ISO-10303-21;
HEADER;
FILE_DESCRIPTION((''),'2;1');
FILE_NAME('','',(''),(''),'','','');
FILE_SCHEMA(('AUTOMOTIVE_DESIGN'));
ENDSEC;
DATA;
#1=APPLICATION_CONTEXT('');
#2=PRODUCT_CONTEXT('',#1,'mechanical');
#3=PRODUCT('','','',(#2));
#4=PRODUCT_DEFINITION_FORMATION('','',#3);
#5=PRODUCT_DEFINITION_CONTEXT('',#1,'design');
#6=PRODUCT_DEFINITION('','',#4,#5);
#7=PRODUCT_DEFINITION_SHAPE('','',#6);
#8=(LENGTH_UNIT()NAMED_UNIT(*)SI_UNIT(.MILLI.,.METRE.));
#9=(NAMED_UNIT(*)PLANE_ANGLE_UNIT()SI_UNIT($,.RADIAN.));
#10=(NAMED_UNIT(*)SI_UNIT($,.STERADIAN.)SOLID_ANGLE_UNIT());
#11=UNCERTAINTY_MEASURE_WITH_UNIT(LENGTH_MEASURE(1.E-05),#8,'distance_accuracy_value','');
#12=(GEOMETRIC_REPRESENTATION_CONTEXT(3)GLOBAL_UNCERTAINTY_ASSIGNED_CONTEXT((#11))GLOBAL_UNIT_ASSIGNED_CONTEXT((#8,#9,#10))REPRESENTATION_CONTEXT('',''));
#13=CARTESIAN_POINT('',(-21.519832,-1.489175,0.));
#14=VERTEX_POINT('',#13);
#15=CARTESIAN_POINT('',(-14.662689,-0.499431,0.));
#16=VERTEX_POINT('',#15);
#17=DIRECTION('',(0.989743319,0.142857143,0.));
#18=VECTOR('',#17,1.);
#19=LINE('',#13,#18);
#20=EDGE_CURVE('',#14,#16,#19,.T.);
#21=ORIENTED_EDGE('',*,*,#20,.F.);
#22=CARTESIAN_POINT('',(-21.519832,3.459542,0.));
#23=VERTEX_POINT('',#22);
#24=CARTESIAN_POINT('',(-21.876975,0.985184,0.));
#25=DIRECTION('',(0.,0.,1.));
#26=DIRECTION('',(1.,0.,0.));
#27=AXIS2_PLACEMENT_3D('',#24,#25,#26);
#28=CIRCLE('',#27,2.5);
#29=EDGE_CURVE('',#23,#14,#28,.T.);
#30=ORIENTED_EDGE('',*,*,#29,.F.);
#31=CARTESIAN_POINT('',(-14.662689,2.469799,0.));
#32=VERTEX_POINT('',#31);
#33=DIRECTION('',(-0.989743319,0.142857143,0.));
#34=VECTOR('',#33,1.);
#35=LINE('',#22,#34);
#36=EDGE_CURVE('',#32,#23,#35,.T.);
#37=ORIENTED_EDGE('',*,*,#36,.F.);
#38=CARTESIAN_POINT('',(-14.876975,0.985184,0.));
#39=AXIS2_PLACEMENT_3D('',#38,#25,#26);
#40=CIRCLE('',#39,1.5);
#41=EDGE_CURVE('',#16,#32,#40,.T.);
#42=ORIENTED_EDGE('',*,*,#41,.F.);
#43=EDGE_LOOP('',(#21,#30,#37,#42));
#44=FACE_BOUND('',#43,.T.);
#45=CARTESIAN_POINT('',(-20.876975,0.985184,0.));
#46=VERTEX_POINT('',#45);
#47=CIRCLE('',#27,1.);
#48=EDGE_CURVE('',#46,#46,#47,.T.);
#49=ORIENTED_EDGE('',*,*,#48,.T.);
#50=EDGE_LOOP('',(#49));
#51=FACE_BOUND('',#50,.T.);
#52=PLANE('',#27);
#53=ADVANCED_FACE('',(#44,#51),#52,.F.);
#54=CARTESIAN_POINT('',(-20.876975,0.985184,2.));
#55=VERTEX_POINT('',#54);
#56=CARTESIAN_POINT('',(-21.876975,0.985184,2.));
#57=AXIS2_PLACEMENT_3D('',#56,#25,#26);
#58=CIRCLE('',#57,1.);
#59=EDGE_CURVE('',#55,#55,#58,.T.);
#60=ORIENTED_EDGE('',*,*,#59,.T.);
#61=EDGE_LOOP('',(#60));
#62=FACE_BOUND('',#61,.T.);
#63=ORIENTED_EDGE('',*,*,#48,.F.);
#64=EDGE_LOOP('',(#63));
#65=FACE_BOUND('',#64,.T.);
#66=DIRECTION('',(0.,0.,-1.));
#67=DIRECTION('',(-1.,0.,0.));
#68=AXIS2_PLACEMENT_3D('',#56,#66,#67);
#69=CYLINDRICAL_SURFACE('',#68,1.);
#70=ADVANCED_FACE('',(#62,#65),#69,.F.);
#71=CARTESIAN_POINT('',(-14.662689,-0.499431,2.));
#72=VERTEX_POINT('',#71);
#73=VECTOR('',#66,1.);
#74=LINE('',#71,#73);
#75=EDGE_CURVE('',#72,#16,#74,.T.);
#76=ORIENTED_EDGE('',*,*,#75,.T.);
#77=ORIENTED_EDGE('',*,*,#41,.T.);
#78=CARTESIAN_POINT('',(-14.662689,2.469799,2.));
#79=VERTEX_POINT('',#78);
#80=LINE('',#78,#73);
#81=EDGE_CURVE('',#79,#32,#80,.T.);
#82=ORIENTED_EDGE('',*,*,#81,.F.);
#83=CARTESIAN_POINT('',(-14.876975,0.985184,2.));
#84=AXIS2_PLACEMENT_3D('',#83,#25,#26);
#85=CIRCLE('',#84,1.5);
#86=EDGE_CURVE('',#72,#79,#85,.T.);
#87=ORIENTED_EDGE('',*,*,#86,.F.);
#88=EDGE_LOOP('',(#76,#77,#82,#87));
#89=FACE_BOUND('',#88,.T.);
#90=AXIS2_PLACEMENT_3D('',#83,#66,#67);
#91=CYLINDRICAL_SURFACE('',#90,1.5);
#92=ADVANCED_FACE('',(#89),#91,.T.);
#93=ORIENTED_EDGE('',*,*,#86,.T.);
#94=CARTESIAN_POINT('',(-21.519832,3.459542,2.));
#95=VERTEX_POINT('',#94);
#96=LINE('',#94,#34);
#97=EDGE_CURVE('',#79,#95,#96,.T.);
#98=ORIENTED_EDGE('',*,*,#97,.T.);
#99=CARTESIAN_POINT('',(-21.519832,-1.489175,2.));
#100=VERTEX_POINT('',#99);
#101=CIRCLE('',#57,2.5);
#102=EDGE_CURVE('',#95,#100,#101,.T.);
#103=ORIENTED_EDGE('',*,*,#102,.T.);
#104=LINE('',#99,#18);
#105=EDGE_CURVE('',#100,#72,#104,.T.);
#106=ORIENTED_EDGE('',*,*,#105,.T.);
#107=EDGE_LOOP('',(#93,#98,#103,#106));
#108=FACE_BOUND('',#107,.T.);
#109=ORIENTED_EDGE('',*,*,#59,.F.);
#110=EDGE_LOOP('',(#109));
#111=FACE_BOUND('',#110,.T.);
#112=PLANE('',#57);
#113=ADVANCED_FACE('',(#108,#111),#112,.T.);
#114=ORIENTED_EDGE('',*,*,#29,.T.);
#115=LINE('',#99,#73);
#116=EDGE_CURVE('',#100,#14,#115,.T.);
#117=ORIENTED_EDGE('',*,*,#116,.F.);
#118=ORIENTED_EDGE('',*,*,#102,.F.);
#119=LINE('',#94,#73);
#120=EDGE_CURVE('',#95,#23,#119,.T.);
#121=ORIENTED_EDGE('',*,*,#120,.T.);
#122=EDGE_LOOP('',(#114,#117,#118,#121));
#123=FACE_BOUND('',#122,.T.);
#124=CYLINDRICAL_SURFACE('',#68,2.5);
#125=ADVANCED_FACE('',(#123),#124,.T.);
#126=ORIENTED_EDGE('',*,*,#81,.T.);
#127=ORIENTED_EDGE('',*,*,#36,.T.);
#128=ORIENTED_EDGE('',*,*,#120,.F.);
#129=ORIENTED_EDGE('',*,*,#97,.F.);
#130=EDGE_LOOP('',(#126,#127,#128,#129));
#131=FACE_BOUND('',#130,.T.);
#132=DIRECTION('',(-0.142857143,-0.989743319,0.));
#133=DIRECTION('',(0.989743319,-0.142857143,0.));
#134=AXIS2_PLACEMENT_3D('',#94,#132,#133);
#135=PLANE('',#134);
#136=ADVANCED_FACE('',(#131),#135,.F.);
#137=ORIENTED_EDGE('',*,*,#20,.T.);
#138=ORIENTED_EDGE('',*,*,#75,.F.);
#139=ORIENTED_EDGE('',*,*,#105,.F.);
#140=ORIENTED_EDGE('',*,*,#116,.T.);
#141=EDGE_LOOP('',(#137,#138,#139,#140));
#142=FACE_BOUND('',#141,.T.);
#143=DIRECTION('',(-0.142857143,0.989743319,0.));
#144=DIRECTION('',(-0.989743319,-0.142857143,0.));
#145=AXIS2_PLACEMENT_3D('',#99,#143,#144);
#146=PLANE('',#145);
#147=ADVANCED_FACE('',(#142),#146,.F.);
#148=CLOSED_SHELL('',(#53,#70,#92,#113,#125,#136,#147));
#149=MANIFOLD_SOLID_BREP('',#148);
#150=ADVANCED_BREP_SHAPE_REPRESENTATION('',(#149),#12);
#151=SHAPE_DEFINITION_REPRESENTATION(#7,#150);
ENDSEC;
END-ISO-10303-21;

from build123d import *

# Parameters (mm, degrees)
SKETCH_1_R      = 1
EXTRUDE_1_DEPTH = 2


with BuildPart() as part:
    # 草图1 → 凸台-拉伸1 (new body)
    with BuildSketch(Plane.XY):
        with BuildLine():
            Line((-21.519832045, 3.459542049), (-14.662689188, 2.46979873))
            ThreePointArc((-14.662689188, 2.46979873), (-13.376974902, 0.985183752), (-14.662689188, -0.499431226))
            Line((-14.662689188, -0.499431226), (-21.519832045, -1.489174544))
            ThreePointArc((-21.519832045, -1.489174544), (-24.376974902, 0.985183752), (-21.519832045, 3.459542049))
        make_face()
        with Locations((-21.876974902, 0.985183752)):
            Circle(SKETCH_1_R, mode=Mode.SUBTRACT)
    extrude(amount=EXTRUDE_1_DEPTH)


solid = part.part
